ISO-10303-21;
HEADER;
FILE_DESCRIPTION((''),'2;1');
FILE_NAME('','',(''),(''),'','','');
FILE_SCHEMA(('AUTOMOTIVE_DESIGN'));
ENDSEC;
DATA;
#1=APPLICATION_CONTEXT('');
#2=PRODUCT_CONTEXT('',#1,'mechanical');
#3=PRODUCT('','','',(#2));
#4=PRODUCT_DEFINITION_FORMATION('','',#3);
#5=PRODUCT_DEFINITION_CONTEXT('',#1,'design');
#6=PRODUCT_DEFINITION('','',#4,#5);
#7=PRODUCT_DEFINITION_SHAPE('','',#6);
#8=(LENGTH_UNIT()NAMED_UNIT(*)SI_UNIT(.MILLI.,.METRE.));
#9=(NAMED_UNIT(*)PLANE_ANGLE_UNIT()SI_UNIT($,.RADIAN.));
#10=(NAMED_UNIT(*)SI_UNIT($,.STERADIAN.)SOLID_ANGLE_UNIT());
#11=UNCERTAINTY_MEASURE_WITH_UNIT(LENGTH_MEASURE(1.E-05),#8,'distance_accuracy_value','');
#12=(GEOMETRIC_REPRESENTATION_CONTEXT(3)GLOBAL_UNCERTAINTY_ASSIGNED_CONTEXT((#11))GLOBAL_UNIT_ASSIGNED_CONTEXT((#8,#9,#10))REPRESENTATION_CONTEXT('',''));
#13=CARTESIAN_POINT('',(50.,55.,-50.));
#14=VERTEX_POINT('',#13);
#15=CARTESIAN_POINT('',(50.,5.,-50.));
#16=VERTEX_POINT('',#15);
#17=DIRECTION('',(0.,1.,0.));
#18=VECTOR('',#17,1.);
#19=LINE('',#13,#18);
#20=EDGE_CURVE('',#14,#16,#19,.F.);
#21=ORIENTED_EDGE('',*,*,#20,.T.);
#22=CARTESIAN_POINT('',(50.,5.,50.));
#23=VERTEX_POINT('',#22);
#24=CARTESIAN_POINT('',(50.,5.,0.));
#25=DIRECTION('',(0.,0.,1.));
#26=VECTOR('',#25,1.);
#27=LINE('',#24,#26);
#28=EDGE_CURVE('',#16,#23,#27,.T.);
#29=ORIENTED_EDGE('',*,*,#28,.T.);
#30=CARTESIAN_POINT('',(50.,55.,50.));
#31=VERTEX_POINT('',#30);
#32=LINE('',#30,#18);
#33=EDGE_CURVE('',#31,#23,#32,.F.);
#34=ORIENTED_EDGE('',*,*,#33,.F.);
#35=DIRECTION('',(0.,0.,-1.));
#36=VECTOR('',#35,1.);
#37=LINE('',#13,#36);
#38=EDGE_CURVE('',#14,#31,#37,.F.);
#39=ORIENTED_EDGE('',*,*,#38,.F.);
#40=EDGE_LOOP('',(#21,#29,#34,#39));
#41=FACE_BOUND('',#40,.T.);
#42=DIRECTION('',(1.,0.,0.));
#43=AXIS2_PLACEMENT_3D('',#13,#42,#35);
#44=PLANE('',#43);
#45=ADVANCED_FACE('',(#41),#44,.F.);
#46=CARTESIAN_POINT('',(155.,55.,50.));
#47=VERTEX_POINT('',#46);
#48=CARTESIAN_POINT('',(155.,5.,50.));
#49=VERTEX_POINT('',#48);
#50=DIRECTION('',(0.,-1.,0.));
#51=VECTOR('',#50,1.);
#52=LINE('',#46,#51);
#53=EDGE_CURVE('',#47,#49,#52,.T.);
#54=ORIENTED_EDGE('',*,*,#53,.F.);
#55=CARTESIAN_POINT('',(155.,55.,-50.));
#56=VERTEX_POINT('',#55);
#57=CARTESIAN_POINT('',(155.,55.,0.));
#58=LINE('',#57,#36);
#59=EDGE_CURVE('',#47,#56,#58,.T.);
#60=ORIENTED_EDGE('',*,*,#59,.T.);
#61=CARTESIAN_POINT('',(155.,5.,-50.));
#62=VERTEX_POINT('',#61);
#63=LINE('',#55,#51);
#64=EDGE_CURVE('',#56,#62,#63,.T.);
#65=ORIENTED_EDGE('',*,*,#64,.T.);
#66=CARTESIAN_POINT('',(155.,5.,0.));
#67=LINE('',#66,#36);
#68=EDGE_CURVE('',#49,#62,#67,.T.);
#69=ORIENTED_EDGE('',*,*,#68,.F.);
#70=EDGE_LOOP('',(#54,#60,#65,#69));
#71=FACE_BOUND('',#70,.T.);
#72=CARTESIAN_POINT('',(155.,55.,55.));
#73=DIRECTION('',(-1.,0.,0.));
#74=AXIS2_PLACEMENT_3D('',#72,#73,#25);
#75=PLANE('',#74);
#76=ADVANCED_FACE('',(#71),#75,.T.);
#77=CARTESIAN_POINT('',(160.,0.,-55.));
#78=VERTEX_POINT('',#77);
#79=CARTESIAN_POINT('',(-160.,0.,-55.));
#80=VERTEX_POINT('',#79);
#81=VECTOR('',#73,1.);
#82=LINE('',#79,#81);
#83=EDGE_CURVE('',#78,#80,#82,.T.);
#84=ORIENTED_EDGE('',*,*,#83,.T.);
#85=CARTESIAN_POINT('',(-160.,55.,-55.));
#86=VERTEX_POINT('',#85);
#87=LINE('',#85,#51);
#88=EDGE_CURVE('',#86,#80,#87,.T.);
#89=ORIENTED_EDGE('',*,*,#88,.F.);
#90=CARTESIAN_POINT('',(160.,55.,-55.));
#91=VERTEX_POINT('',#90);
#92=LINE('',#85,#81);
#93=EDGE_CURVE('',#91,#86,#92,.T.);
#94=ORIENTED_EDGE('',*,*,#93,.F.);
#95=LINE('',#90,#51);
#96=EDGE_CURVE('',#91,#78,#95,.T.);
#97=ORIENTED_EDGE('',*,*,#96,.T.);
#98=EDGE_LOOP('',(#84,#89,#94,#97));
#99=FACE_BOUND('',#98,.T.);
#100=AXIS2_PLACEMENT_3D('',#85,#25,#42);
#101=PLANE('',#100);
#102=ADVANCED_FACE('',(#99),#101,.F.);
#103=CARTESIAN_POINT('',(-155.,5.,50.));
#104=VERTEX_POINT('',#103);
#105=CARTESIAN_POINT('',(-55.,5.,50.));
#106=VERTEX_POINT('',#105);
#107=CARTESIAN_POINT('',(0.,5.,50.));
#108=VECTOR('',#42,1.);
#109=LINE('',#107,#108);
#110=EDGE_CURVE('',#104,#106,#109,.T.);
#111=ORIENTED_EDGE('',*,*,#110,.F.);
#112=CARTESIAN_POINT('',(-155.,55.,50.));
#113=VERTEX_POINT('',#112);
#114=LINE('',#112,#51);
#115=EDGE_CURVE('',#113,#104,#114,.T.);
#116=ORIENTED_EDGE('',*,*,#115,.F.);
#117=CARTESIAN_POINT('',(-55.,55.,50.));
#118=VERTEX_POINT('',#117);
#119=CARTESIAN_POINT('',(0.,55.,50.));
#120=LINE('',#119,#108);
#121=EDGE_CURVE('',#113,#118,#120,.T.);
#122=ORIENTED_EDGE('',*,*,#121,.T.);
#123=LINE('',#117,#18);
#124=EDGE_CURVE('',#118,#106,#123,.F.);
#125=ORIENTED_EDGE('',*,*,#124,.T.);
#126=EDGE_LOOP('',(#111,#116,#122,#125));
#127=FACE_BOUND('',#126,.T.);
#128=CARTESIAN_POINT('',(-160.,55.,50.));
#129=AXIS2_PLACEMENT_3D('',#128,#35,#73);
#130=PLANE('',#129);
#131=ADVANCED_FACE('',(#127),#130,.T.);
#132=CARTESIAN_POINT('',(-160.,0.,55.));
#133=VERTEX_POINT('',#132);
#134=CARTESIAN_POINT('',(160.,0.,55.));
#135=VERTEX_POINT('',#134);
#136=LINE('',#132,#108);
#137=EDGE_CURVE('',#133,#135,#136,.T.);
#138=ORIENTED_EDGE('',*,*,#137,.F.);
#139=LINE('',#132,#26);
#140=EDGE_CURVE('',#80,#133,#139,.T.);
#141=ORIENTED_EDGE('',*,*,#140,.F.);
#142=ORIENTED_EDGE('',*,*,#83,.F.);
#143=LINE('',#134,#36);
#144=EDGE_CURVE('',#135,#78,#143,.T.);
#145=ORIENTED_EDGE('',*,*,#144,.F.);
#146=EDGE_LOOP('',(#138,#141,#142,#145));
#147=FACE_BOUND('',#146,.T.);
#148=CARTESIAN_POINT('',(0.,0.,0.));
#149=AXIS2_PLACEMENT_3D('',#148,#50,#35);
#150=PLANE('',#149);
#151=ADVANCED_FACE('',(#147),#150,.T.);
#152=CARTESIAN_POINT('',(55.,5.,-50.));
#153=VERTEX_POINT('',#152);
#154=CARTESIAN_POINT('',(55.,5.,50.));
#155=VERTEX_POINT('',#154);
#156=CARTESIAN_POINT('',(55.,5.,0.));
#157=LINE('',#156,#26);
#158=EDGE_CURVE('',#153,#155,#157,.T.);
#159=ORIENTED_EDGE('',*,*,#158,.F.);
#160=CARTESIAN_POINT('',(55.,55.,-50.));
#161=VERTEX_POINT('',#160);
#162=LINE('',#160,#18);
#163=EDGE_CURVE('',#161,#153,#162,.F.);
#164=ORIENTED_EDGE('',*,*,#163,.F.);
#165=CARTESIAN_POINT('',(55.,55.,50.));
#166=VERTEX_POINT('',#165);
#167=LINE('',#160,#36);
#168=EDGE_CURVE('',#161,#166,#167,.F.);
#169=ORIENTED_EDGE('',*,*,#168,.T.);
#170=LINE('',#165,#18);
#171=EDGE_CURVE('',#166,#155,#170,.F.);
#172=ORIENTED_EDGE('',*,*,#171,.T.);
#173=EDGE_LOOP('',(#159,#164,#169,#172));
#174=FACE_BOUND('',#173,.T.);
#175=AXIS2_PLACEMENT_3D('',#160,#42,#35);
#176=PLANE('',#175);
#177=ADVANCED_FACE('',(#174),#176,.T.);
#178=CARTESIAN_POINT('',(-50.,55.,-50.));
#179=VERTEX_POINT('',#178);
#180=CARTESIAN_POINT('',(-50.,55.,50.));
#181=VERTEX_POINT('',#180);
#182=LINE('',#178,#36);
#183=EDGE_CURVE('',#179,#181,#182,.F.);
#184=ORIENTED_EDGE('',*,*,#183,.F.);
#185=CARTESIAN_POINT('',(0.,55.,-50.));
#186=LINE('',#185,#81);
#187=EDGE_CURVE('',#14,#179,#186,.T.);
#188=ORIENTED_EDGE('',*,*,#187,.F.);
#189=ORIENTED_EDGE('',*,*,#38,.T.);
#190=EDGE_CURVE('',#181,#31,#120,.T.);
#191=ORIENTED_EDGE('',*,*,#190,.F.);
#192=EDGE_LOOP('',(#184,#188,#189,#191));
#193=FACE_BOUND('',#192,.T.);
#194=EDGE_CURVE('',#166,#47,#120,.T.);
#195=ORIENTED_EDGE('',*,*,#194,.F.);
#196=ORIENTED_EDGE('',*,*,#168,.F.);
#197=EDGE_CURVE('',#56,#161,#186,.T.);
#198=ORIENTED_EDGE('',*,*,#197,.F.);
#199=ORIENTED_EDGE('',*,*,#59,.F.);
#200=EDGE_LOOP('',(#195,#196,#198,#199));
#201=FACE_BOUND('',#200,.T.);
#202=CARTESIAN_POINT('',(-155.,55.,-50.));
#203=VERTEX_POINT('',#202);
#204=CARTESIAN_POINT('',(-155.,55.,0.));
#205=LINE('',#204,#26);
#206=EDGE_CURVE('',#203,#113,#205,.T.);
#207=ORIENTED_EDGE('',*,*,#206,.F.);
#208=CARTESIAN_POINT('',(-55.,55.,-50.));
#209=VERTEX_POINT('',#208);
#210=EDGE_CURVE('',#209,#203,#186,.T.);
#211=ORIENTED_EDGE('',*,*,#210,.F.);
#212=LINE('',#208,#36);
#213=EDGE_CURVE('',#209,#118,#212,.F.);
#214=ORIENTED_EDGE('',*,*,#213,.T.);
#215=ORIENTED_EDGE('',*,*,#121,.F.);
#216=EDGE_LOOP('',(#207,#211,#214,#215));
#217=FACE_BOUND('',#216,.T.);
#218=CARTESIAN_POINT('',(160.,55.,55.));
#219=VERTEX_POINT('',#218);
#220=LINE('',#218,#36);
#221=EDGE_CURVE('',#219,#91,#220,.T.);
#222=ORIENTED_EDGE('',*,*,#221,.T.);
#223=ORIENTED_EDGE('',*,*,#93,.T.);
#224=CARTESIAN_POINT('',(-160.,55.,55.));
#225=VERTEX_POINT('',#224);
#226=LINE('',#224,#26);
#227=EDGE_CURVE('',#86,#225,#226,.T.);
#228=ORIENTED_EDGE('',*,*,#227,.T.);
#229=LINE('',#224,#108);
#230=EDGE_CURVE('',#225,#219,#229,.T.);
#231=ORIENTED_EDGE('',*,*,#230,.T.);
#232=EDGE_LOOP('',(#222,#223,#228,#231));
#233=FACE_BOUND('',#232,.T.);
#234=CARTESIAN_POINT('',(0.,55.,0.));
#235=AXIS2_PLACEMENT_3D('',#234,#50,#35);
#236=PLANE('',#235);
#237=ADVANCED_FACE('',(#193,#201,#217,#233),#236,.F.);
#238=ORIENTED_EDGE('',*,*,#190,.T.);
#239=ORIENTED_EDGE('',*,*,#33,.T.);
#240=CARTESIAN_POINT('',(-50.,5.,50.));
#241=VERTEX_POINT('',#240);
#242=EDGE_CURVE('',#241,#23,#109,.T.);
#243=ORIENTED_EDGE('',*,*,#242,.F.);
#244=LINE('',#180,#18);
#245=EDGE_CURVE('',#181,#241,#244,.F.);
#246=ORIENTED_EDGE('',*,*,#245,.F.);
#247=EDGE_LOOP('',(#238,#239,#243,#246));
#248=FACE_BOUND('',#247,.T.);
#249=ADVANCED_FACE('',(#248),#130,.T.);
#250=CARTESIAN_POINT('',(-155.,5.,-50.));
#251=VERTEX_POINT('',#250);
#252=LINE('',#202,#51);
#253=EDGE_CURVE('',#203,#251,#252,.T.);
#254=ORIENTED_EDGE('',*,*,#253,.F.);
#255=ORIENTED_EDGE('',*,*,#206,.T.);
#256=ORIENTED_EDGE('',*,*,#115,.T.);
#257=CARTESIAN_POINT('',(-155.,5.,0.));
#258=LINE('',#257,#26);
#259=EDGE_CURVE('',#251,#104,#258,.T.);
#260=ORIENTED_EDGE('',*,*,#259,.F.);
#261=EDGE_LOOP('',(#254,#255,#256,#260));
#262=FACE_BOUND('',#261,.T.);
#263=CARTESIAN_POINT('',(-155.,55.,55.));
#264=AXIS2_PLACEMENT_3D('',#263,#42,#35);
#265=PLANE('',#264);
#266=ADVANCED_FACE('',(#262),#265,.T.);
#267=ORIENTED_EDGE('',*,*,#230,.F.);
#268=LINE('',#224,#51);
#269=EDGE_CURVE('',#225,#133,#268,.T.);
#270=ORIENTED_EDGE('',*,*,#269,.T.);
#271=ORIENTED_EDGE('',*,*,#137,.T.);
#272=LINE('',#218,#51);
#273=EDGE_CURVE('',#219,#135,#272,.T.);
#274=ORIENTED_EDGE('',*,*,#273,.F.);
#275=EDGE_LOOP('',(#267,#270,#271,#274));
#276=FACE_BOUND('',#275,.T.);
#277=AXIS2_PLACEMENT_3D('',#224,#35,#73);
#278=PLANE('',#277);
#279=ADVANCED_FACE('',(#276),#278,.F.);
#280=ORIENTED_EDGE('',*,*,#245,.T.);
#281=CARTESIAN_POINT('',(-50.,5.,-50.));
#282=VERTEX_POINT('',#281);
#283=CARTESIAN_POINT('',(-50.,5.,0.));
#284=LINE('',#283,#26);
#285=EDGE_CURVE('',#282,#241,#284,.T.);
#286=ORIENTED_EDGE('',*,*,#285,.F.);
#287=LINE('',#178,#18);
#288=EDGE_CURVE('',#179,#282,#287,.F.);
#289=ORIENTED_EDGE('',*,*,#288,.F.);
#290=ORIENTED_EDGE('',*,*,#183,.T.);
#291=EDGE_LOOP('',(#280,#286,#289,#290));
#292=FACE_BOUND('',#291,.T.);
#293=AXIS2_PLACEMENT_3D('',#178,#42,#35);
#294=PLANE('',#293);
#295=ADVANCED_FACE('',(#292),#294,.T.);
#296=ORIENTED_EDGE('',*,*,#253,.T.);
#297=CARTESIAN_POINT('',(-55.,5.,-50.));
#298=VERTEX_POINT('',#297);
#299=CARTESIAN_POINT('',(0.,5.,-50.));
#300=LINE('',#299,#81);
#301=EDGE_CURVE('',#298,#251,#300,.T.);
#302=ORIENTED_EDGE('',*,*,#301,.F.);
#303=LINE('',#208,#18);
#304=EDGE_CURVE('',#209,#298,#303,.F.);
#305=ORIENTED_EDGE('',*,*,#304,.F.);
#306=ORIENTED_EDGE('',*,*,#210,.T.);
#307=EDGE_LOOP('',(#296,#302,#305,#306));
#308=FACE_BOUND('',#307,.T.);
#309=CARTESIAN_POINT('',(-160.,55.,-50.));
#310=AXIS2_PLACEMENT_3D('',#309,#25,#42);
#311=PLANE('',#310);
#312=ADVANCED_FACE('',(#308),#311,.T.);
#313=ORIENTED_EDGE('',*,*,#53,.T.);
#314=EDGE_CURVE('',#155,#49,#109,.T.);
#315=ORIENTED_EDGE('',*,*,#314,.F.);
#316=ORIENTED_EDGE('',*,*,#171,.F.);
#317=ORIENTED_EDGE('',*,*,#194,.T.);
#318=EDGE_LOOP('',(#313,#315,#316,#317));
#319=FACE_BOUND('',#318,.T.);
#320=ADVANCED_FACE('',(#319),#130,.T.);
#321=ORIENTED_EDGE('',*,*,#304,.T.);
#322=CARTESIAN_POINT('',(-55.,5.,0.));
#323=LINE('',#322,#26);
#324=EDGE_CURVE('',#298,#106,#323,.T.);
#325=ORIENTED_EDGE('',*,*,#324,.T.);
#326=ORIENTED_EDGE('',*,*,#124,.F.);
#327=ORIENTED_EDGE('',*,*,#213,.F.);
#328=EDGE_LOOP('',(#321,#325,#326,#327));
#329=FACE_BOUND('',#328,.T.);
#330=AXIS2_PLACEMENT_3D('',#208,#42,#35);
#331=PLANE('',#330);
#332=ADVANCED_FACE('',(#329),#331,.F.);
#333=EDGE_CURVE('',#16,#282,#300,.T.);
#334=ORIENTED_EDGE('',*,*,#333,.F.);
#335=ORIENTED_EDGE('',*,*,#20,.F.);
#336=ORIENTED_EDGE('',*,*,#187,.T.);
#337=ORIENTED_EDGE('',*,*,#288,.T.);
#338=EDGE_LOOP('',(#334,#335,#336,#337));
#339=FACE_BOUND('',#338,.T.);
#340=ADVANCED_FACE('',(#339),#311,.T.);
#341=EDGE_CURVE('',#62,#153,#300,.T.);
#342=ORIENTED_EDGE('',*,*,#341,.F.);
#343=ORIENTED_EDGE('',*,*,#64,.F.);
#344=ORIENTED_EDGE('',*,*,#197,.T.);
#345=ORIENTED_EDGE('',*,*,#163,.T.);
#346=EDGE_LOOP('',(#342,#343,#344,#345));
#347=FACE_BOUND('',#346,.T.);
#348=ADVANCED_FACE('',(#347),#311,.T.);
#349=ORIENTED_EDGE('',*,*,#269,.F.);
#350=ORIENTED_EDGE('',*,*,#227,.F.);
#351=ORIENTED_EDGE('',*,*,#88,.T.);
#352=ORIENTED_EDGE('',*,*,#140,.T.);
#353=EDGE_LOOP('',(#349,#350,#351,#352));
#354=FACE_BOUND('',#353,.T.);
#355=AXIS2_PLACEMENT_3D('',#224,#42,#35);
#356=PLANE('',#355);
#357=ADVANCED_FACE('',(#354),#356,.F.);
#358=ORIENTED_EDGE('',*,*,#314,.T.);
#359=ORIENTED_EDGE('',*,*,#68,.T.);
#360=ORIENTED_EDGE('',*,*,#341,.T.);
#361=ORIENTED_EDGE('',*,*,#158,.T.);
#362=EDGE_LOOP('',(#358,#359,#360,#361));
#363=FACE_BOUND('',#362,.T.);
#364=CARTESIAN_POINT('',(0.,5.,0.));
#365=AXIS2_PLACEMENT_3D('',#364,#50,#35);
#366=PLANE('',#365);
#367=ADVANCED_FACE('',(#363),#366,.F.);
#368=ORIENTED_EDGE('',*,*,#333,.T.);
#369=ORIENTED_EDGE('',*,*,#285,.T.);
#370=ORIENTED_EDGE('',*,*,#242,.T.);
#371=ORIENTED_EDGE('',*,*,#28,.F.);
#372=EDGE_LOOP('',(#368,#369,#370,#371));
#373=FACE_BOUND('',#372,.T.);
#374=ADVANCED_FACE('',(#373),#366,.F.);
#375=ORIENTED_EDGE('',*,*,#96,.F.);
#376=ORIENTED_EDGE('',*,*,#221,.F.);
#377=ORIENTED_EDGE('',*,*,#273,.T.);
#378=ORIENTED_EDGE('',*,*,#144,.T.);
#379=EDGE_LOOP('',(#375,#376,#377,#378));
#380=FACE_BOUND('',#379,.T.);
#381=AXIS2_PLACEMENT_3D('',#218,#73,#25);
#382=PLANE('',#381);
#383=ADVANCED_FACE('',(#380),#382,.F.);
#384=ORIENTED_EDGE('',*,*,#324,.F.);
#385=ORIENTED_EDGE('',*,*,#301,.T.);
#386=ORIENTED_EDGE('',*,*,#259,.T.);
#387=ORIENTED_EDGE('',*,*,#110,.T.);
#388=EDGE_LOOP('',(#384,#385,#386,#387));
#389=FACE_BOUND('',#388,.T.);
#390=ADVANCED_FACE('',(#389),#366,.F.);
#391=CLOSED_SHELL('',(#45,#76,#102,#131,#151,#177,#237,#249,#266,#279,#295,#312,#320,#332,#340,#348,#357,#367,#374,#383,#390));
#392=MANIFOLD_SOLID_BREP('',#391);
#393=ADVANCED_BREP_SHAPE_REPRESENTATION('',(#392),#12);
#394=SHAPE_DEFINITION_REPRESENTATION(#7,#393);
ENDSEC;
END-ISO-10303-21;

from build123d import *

# Parameters (mm, degrees)
SKETCH_1_W       = 320
SKETCH_1_H       = 110
EXTRUDE_1_DEPTH  = 55
SHELL_1_T        = -5
RIB_1_REACH      = 179.904
SKETCH_2_WALLS_W = 5
SKETCH_2_WALLS_H = 457.808937494


with BuildPart() as part:
    # 草图1 → 凸台-拉伸1 (new body)
    with BuildSketch(Plane(origin=(0, 0, 0), x_dir=(1, 0, 0), z_dir=(0, 1, 0))):
        Rectangle(SKETCH_1_W, SKETCH_1_H)
    extrude(amount=EXTRUDE_1_DEPTH)

    # 抽壳1
    shell_1_openings = [part.faces().sort_by_distance(p)[0] for p in [
        (0, 55, 0),
    ]]
    offset(amount=SHELL_1_T, openings=shell_1_openings, kind=Kind.INTERSECTION)

    # 草图2 walls → 筋1 (add, up to next)
    with BuildSketch(Plane(origin=(0, 55, 0), x_dir=(1, 0, 0), z_dir=(0, 1, 0)), mode=Mode.PRIVATE) as rib_1_sk1:
        with Locations((52.5, 0)):
            Rectangle(SKETCH_2_WALLS_W, SKETCH_2_WALLS_H)
    rib_1_tool1 = extrude(rib_1_sk1.sketch, amount=-RIB_1_REACH, mode=Mode.PRIVATE) - part.part
    # 草图2 walls → 筋1 (add, up to next)
    with BuildSketch(Plane(origin=(0, 55, 0), x_dir=(1, 0, 0), z_dir=(0, 1, 0)), mode=Mode.PRIVATE) as rib_1_sk2:
        with Locations((-52.5, 0)):
            Rectangle(SKETCH_2_WALLS_W, SKETCH_2_WALLS_H)
    rib_1_tool2 = extrude(rib_1_sk2.sketch, amount=-RIB_1_REACH, mode=Mode.PRIVATE) - part.part
    add(rib_1_tool1.solids().sort_by_distance((52.5, 55, 0))[0])
    add(rib_1_tool2.solids().sort_by_distance((-52.5, 55, 0))[0])


solid = part.part
